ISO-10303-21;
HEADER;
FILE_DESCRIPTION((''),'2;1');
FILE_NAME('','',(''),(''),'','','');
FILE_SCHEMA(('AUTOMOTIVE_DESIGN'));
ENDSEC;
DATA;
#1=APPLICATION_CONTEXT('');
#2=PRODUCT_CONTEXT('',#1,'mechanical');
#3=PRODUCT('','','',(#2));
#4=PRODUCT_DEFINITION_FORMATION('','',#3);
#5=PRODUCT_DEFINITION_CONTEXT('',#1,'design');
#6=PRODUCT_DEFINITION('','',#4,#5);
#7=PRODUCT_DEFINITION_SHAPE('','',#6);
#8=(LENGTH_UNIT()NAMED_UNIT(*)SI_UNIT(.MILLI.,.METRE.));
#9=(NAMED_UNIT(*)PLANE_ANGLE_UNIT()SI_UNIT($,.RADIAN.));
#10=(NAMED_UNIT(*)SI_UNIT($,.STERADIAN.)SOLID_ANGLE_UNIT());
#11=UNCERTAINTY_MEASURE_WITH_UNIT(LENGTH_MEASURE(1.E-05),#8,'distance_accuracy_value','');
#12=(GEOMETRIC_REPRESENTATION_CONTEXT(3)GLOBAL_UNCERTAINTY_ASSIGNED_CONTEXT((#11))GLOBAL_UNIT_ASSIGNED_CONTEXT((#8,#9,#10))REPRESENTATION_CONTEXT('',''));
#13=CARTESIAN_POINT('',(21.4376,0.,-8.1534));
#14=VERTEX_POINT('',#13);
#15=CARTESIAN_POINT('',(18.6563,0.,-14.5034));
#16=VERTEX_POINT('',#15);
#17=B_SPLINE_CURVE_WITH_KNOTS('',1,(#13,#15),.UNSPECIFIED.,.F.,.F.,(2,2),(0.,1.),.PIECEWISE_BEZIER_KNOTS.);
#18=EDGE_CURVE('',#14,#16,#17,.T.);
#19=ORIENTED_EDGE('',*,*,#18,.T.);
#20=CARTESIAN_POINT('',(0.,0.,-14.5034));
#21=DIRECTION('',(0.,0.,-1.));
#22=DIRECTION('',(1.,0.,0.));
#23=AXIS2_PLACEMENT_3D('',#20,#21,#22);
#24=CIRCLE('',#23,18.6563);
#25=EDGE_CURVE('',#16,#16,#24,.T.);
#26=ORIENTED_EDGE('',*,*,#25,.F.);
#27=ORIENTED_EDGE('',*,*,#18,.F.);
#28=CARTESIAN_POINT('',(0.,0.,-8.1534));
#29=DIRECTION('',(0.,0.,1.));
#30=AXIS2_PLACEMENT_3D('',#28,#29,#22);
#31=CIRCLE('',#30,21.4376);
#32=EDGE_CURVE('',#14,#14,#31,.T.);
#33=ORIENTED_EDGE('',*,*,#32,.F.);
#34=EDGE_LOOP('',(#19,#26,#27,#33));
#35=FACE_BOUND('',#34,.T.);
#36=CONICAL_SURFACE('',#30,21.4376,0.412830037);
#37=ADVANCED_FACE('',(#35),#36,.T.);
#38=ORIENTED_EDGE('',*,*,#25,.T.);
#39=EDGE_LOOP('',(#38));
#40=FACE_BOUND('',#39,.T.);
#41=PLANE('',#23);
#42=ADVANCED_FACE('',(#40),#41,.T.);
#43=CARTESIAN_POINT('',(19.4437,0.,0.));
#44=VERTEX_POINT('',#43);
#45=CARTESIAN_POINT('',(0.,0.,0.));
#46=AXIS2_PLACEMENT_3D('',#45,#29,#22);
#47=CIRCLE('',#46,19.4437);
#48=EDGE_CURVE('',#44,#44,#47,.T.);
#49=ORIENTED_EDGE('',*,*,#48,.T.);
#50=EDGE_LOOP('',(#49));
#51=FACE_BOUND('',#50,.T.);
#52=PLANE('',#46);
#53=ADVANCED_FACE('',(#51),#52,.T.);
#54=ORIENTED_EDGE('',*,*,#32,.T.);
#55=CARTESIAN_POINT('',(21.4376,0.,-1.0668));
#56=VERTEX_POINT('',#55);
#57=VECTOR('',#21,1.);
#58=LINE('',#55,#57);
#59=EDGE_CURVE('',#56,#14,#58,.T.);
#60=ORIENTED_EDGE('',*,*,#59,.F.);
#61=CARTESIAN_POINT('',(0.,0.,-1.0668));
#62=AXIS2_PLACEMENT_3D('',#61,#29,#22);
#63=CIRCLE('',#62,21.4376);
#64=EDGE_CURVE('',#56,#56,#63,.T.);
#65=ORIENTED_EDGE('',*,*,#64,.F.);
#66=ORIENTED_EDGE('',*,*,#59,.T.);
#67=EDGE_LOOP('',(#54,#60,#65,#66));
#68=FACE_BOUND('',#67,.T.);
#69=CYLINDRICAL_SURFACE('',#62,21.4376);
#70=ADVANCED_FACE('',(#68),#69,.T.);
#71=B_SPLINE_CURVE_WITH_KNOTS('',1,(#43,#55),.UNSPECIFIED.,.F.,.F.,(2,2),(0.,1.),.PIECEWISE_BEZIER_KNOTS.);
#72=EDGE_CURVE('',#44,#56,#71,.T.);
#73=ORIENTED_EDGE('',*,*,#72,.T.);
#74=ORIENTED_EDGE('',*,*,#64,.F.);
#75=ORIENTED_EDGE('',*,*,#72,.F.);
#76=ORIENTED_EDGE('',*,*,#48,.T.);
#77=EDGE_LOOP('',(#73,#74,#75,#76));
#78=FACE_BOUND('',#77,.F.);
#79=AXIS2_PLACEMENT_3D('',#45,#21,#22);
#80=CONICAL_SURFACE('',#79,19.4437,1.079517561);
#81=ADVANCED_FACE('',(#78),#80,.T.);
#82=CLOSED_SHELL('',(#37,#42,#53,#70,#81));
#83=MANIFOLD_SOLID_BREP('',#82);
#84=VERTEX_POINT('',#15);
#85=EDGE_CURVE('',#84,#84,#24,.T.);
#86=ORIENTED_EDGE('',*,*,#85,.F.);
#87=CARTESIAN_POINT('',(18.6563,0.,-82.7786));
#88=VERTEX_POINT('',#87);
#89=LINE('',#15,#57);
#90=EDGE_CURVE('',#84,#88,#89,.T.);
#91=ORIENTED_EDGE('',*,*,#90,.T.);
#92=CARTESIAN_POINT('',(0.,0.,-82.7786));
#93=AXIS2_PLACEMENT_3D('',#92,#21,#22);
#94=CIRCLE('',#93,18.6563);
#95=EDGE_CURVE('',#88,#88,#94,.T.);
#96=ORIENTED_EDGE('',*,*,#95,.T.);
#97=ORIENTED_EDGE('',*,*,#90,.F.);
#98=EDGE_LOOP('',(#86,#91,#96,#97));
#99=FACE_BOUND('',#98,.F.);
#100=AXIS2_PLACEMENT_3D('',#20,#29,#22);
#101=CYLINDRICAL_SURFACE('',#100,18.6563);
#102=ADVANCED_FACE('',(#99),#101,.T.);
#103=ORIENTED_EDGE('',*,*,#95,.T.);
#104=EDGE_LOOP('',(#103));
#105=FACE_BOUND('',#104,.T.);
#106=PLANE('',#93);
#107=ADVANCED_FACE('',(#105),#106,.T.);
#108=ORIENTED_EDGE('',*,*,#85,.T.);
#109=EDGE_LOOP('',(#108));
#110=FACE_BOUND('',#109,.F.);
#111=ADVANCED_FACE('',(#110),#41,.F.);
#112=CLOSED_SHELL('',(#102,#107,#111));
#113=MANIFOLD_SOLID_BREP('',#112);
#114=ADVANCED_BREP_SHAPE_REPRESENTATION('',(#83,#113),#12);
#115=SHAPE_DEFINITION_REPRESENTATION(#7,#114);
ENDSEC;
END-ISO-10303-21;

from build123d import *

# Parameters (mm, degrees)
F0_R      = 19.4437
F2_R      = 21.4376
F4_DEPTH  = 7.0866
F4_FACE_R = 21.4376
F6_R      = 18.6563
F8_DEPTH  = 68.2752


with BuildPart() as f3:
    # F0 (on Top) → F3 section 0
    with BuildSketch(Plane.XY):
        Circle(F0_R)
    # F2 (on offset) → F3 section 1
    with BuildSketch(Plane.XY.offset(-1.0668)):
        Circle(F2_R)
    loft()

    # F4 (add): a face of the model
    f4_faces = [f3.faces().sort_by_distance(p)[0] for p in [
        (0, 0, -1.0668),
    ]]
    extrude(f4_faces, amount=F4_DEPTH)

    # F4_face (on face) → F7 section 0
    with BuildSketch(Plane(origin=(0, 0, -8.1534), x_dir=(1, 0, 0), z_dir=(0, 0, -1))):
        Circle(F4_FACE_R)
    # F6 (on offset) → F7 section 1
    with BuildSketch(Plane(origin=(0, 0, -14.5034), x_dir=(1, 0, 0), z_dir=(0, 0, -1))):
        Circle(F6_R)
    loft()


with BuildPart() as f8:
    # F8 (new): a face of the model
    f8_faces = [f3.part.faces().sort_by_distance(p)[0] for p in [
        (0, 0, -14.5034),
    ]]
    extrude(f8_faces, amount=F8_DEPTH)


solid = Compound([f3.part, f8.part])
